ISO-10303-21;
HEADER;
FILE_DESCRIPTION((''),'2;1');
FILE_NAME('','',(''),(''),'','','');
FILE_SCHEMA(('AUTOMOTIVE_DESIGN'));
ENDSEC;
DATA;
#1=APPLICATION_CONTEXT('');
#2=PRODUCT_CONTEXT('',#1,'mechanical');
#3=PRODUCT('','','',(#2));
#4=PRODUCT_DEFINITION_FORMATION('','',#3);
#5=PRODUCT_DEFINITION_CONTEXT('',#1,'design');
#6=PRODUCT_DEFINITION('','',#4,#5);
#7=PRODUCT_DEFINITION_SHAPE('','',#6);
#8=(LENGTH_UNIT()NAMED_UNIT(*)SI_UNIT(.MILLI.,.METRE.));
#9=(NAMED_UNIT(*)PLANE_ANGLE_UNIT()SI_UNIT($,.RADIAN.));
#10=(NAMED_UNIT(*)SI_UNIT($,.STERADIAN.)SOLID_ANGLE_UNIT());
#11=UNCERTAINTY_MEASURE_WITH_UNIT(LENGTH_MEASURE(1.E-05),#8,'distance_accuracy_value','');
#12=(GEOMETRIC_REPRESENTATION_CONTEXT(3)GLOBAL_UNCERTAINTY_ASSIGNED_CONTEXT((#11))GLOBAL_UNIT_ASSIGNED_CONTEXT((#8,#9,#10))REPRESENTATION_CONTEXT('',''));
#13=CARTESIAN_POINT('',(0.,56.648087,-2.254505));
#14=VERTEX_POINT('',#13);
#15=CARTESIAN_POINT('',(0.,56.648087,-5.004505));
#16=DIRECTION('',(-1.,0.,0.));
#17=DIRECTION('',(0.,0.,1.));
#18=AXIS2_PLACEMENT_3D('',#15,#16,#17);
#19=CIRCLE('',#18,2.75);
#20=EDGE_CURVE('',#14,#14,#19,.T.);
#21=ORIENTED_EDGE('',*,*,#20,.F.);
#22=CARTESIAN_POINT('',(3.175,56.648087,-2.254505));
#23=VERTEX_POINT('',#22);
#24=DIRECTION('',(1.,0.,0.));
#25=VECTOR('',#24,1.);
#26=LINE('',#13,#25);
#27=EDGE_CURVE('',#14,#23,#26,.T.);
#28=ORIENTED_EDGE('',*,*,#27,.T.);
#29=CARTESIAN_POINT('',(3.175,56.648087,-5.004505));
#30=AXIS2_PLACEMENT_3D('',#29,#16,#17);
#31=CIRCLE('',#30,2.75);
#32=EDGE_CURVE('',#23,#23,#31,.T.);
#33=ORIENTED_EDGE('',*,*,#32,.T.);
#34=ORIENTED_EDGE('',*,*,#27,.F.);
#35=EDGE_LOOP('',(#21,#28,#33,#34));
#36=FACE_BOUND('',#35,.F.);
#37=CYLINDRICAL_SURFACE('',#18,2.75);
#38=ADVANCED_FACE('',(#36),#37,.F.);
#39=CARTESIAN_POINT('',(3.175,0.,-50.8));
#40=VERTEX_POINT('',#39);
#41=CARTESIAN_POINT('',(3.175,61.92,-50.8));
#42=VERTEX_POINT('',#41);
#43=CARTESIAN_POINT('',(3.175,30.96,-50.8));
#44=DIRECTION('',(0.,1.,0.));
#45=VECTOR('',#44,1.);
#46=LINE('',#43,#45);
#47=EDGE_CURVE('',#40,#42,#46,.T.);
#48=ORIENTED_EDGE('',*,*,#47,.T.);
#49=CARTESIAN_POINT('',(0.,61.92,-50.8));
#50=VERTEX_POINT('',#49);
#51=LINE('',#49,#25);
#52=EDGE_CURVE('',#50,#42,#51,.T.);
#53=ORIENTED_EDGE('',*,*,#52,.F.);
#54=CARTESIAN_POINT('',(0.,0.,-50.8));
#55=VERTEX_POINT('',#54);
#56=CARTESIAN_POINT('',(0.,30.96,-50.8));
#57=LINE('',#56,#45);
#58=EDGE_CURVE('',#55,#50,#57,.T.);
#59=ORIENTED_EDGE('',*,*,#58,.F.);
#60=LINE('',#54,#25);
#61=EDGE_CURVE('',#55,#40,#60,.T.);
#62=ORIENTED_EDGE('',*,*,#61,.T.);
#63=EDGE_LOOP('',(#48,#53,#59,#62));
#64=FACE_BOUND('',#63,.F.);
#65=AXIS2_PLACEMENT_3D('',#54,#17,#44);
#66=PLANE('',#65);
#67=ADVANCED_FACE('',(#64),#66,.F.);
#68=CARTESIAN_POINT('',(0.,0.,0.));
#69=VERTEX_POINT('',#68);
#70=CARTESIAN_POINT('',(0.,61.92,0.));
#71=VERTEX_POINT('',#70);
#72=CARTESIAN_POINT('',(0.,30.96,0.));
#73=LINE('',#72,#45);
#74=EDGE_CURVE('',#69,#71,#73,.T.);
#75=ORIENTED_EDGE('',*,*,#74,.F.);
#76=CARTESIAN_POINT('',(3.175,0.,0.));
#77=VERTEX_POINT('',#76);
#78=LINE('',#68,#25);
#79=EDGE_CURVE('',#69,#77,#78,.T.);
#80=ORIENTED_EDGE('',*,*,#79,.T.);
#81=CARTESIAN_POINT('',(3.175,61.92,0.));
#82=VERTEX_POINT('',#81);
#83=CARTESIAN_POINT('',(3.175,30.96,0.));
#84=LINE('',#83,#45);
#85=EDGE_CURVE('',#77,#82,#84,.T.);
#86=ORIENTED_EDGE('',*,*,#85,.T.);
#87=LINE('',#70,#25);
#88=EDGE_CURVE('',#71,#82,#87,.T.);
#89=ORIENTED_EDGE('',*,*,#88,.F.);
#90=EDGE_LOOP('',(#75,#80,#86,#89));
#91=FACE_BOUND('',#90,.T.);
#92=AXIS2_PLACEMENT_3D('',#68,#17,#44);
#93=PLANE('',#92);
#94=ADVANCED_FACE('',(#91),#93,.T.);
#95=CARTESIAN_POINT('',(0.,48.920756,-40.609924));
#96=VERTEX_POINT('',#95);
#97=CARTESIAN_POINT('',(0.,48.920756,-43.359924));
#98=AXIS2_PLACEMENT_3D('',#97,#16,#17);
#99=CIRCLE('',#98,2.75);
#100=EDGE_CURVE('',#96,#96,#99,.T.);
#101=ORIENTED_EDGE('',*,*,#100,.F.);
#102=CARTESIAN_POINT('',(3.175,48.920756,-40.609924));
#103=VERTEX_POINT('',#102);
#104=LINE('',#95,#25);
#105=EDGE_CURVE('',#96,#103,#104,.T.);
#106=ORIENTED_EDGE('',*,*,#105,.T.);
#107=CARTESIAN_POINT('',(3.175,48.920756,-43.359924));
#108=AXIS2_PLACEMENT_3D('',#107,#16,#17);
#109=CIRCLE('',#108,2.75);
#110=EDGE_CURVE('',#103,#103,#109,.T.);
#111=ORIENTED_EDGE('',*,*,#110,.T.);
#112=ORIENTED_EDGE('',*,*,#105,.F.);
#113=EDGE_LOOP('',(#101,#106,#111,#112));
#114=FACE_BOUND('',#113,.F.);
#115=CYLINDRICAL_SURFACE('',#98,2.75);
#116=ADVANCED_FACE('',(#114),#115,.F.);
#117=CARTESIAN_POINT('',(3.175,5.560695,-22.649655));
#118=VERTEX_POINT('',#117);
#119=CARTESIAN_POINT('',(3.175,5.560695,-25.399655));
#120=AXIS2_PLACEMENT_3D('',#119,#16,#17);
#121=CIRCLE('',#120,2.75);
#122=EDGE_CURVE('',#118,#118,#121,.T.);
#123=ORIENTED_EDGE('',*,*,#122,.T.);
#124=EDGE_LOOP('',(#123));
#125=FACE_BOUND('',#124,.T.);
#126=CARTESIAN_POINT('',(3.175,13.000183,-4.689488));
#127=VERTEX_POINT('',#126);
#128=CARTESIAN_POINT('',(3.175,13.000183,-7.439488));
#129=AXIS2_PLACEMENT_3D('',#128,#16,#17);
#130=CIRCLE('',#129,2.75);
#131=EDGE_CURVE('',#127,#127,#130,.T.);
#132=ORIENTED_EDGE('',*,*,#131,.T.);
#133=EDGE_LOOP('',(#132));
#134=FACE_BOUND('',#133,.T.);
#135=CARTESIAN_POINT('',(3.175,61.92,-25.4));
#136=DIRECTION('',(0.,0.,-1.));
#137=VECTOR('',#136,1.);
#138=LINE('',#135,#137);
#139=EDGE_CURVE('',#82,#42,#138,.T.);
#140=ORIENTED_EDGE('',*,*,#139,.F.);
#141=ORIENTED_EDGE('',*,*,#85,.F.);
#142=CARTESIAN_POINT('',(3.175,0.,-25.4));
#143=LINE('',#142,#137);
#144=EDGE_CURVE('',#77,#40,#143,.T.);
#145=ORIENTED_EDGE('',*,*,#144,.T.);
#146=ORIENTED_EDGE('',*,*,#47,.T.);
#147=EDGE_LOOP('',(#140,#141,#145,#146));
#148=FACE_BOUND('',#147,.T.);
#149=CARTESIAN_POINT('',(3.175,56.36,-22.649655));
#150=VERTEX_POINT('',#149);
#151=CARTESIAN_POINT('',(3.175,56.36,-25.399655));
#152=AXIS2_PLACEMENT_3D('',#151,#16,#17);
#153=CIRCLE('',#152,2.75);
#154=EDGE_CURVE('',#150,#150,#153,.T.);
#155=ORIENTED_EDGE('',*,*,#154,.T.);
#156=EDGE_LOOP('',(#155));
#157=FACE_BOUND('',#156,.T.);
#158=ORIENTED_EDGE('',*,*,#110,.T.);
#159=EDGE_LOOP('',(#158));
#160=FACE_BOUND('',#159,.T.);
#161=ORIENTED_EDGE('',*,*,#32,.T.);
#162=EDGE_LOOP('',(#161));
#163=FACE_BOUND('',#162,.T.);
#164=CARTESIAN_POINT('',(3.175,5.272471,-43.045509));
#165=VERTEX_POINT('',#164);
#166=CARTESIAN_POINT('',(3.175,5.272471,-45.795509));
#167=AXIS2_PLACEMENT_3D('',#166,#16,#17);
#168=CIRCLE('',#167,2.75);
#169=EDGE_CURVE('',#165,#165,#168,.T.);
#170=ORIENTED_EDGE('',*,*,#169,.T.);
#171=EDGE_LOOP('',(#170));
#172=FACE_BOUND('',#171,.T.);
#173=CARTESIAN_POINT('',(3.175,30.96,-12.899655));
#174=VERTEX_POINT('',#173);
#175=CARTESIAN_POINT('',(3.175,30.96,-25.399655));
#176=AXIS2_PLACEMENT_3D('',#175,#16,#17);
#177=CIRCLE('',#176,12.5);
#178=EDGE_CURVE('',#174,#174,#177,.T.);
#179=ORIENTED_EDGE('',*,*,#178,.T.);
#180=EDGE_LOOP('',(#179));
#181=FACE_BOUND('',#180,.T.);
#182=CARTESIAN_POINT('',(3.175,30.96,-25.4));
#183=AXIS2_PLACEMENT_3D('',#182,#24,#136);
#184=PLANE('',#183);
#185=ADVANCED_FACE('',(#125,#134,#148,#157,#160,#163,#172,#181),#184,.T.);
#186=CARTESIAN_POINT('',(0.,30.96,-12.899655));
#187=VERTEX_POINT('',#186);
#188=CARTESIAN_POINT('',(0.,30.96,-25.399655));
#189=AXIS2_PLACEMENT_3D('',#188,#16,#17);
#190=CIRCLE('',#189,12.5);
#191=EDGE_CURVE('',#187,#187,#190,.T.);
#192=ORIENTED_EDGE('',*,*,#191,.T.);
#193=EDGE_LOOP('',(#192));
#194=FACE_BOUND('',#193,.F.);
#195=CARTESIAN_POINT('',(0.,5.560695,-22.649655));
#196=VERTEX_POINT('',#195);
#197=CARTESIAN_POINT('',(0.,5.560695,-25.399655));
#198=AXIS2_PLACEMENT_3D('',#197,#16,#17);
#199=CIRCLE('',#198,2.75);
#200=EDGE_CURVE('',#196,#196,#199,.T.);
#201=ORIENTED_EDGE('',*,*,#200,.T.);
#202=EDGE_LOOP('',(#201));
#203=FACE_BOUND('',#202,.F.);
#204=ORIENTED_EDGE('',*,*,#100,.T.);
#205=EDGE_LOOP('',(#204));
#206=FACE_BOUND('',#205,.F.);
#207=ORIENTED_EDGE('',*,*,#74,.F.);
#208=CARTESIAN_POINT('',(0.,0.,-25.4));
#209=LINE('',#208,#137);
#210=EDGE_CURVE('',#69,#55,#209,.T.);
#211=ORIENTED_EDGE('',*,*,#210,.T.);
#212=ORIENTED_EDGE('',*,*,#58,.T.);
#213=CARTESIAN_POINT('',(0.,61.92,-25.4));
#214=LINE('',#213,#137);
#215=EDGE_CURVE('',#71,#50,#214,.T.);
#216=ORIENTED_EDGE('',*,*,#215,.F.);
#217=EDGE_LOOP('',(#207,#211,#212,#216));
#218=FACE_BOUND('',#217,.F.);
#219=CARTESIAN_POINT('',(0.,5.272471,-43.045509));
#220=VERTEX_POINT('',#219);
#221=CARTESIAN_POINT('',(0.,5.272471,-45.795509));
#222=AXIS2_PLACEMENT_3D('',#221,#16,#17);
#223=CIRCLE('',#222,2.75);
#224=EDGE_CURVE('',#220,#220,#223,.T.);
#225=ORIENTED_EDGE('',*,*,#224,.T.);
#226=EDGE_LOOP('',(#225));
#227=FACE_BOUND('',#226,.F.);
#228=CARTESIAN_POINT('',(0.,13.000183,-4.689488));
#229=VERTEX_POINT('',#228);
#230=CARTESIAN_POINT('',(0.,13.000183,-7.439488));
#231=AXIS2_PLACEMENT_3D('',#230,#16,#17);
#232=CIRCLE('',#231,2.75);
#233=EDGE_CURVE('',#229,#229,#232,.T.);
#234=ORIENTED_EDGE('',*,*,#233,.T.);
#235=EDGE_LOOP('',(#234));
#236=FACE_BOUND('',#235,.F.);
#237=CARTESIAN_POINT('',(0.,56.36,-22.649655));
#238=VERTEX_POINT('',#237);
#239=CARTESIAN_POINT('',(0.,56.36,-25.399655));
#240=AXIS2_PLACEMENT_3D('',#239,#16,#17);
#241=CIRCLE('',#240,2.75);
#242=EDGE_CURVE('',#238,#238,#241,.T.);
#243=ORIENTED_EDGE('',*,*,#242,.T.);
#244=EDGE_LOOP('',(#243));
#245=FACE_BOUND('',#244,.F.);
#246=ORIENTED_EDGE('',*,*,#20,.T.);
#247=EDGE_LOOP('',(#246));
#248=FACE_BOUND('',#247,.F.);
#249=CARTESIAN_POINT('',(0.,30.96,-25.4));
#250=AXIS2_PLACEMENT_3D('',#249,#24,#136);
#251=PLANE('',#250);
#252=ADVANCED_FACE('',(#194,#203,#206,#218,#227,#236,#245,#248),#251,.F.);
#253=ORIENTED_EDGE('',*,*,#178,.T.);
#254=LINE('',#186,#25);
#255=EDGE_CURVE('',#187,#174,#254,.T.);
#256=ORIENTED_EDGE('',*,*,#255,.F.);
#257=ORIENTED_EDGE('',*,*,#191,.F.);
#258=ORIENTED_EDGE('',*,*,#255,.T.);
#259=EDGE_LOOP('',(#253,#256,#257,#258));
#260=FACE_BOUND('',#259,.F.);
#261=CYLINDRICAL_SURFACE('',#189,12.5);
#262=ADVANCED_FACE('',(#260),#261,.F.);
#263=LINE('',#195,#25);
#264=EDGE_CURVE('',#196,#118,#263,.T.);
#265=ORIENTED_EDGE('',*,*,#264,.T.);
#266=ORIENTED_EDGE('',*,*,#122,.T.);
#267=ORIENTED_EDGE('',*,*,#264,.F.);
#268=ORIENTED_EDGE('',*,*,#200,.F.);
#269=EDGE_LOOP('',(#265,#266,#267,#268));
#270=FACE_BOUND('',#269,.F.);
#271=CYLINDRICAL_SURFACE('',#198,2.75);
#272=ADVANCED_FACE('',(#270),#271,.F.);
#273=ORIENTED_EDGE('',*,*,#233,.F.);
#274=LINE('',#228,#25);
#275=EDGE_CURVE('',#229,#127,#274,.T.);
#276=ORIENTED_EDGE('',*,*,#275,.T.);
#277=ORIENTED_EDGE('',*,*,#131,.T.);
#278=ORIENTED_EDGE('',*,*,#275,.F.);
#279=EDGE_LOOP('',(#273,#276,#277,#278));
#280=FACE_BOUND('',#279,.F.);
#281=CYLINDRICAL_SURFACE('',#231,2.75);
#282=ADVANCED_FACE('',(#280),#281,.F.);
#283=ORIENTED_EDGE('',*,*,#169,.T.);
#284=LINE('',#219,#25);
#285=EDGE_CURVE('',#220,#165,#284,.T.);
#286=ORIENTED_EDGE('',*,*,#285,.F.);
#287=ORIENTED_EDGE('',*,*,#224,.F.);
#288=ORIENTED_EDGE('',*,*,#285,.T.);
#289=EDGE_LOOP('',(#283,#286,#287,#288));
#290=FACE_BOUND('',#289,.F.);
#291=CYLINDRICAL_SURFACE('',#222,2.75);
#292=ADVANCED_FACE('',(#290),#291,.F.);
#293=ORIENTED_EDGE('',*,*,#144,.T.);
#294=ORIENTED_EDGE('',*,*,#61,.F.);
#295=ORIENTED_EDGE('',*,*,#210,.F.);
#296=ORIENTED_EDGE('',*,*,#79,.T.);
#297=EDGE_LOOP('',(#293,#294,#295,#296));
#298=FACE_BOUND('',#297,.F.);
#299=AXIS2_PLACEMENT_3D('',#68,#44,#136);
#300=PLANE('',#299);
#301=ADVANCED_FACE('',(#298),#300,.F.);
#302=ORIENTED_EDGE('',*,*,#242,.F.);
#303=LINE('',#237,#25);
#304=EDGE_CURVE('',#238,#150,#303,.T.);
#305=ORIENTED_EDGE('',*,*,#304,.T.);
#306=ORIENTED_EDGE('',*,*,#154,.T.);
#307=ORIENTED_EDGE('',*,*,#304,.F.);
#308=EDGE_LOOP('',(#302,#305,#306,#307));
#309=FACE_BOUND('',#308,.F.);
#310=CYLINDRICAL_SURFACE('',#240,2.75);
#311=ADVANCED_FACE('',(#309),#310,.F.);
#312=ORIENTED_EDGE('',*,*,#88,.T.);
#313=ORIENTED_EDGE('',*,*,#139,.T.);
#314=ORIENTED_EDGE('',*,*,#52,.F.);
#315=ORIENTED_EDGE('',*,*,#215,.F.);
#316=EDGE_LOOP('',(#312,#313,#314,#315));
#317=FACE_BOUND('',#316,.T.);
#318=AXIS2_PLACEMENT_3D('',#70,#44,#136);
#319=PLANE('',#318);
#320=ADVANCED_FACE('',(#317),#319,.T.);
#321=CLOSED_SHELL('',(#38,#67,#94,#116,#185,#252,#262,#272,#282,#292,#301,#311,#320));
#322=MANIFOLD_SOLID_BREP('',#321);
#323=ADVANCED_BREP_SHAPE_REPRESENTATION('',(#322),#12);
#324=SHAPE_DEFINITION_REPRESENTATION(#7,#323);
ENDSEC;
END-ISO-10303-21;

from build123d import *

# Parameters (mm, degrees)
SKETCH1_W           = 50.8
SKETCH1_H           = 61.92
BOSS_EXTRUDE2_DEPTH = 3.175
SKETCH2_R           = 2.75
SKETCH2_R_2         = 12.5
CUT_EXTRUDE1_DEPTH  = 4.175


with BuildPart() as part:
    # Sketch1 → Boss-Extrude2 (new body)
    with BuildSketch(Plane(origin=(0, 0, 0), x_dir=(0, 0, -1), z_dir=(1, 0, 0))):
        with Locations((25.4, 30.96)):
            Rectangle(SKETCH1_W, SKETCH1_H)
    extrude(amount=BOSS_EXTRUDE2_DEPTH)

    # Sketch2 → Cut-Extrude1 (cut, through all)
    with BuildSketch(Plane.ZY):
        with Locations((-25.399655405, 56.36)):
            Circle(SKETCH2_R)
        with Locations((-43.35992398, 48.920755906)):
            Circle(SKETCH2_R)
        with Locations((-5.004504526, 56.648087135)):
            Circle(SKETCH2_R)
        with Locations((-7.439487758, 13.000182758)):
            Circle(SKETCH2_R)
        with Locations((-45.795509398, 5.272471121)):
            Circle(SKETCH2_R)
        with Locations((-25.399655405, 5.560695)):
            Circle(SKETCH2_R)
        with Locations((-25.399655405, 30.96)):
            Circle(SKETCH2_R_2)
    extrude(amount=-CUT_EXTRUDE1_DEPTH, mode=Mode.SUBTRACT)


solid = part.part
